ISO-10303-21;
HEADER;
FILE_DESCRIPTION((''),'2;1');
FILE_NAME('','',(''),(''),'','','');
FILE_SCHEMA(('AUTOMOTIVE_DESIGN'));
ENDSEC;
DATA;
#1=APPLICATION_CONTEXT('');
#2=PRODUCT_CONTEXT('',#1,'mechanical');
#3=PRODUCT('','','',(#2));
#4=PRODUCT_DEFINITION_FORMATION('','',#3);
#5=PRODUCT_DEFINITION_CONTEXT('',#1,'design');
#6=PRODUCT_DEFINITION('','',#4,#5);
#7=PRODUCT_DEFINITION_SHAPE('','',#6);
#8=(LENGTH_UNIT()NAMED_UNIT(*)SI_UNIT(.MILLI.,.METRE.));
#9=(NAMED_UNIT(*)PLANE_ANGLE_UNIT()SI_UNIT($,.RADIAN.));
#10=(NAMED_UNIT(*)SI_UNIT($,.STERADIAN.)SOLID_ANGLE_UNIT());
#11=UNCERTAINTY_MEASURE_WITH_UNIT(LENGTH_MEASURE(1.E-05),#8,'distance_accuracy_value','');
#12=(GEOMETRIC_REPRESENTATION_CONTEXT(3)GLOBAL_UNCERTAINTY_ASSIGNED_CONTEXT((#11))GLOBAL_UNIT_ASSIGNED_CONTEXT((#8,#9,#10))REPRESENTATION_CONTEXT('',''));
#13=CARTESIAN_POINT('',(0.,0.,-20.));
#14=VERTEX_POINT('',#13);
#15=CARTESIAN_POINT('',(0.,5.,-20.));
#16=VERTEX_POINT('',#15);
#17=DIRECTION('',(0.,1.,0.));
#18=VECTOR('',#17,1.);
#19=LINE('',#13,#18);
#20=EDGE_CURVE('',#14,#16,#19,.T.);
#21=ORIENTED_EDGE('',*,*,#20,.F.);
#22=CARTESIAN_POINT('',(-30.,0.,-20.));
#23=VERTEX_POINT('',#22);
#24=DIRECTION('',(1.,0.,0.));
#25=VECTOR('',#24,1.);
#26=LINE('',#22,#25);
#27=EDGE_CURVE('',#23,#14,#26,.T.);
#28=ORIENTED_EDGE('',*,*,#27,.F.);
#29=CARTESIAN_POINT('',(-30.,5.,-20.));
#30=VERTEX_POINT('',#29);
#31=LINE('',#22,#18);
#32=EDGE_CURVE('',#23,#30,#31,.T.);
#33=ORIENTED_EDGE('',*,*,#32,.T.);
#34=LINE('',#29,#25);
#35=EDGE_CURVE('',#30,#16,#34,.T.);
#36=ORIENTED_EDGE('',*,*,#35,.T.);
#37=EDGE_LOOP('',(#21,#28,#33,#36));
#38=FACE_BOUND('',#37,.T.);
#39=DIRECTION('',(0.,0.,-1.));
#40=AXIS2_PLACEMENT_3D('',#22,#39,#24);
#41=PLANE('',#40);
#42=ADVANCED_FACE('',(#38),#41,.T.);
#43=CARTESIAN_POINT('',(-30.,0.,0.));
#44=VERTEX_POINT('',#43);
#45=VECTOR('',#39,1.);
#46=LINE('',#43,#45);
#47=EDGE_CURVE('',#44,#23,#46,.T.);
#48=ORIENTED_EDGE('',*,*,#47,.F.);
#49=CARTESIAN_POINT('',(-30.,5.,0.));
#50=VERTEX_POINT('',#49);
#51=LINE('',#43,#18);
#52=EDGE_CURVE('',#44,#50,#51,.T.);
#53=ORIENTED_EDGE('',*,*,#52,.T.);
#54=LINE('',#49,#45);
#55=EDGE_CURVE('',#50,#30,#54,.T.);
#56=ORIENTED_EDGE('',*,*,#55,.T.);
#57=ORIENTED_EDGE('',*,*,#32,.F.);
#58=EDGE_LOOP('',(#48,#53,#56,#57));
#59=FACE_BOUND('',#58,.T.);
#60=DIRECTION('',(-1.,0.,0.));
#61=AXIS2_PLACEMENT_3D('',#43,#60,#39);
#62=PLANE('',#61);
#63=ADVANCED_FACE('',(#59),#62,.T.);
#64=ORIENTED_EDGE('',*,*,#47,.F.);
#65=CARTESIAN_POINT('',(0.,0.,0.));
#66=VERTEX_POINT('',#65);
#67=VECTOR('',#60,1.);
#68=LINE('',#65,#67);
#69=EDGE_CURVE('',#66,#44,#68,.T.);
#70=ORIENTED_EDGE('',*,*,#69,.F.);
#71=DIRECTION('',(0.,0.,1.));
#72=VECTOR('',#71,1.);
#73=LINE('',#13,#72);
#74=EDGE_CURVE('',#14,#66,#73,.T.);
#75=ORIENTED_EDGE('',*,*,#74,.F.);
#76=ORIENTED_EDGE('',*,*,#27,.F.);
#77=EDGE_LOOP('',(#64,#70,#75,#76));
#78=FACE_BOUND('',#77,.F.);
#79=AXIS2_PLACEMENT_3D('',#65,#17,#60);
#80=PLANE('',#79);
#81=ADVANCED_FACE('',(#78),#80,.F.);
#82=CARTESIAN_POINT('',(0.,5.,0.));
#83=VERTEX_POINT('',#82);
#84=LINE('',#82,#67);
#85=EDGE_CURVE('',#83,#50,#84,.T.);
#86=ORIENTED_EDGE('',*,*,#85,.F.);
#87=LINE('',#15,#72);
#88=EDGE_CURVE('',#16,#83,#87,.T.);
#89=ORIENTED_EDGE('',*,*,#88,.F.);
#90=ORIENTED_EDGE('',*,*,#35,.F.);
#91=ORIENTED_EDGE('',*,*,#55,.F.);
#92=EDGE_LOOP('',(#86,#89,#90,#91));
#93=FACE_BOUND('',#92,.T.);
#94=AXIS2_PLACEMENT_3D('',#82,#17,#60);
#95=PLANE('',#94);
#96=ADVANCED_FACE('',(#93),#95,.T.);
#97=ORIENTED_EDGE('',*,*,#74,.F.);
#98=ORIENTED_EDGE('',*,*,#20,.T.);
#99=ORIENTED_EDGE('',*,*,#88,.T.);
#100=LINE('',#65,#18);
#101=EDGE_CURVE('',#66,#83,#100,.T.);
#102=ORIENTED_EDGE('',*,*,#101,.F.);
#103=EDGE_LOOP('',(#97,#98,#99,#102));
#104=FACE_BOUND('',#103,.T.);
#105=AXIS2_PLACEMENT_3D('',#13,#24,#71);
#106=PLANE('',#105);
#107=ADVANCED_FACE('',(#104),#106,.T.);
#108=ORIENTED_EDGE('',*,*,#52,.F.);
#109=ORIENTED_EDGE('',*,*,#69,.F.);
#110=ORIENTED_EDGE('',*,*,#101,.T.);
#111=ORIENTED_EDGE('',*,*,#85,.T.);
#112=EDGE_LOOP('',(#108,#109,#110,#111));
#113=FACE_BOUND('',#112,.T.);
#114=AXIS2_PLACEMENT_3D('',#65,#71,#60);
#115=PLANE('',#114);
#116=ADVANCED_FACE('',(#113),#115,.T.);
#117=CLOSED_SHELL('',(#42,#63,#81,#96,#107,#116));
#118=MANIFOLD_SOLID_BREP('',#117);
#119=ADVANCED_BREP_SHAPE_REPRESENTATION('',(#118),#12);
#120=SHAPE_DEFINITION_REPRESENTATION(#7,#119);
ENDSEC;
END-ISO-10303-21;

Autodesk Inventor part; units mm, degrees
ref_plane "YZ Plane" through (0, 0, 0) normal (1, 0, 0) x (0, 1, 0)
ref_plane "XZ Plane" through (0, 0, 0) normal (0, 1, 0) x (-1, 0, 0)
ref_plane "XY Plane" through (0, 0, 0) normal (0, 0, 1) x (1, 0, 0)
sketch "Szkic1" plane through (0, 0, 0) normal (0, 1, 0) x (-1, 0, 0)
  line L0 (0, 0) -> (30, 0)
  line L1 (30, 0) -> (30, -20)
  line L2 (30, -20) -> (0, -20)
  line L3 (0, -20) -> (0, 0)
  dimension "d0" = 30
  dimension "d1" = 20
extrude "Wyciągnięcie proste1" add sketch "Szkic1" along normal blind 5
properties part number "30x20x5"
